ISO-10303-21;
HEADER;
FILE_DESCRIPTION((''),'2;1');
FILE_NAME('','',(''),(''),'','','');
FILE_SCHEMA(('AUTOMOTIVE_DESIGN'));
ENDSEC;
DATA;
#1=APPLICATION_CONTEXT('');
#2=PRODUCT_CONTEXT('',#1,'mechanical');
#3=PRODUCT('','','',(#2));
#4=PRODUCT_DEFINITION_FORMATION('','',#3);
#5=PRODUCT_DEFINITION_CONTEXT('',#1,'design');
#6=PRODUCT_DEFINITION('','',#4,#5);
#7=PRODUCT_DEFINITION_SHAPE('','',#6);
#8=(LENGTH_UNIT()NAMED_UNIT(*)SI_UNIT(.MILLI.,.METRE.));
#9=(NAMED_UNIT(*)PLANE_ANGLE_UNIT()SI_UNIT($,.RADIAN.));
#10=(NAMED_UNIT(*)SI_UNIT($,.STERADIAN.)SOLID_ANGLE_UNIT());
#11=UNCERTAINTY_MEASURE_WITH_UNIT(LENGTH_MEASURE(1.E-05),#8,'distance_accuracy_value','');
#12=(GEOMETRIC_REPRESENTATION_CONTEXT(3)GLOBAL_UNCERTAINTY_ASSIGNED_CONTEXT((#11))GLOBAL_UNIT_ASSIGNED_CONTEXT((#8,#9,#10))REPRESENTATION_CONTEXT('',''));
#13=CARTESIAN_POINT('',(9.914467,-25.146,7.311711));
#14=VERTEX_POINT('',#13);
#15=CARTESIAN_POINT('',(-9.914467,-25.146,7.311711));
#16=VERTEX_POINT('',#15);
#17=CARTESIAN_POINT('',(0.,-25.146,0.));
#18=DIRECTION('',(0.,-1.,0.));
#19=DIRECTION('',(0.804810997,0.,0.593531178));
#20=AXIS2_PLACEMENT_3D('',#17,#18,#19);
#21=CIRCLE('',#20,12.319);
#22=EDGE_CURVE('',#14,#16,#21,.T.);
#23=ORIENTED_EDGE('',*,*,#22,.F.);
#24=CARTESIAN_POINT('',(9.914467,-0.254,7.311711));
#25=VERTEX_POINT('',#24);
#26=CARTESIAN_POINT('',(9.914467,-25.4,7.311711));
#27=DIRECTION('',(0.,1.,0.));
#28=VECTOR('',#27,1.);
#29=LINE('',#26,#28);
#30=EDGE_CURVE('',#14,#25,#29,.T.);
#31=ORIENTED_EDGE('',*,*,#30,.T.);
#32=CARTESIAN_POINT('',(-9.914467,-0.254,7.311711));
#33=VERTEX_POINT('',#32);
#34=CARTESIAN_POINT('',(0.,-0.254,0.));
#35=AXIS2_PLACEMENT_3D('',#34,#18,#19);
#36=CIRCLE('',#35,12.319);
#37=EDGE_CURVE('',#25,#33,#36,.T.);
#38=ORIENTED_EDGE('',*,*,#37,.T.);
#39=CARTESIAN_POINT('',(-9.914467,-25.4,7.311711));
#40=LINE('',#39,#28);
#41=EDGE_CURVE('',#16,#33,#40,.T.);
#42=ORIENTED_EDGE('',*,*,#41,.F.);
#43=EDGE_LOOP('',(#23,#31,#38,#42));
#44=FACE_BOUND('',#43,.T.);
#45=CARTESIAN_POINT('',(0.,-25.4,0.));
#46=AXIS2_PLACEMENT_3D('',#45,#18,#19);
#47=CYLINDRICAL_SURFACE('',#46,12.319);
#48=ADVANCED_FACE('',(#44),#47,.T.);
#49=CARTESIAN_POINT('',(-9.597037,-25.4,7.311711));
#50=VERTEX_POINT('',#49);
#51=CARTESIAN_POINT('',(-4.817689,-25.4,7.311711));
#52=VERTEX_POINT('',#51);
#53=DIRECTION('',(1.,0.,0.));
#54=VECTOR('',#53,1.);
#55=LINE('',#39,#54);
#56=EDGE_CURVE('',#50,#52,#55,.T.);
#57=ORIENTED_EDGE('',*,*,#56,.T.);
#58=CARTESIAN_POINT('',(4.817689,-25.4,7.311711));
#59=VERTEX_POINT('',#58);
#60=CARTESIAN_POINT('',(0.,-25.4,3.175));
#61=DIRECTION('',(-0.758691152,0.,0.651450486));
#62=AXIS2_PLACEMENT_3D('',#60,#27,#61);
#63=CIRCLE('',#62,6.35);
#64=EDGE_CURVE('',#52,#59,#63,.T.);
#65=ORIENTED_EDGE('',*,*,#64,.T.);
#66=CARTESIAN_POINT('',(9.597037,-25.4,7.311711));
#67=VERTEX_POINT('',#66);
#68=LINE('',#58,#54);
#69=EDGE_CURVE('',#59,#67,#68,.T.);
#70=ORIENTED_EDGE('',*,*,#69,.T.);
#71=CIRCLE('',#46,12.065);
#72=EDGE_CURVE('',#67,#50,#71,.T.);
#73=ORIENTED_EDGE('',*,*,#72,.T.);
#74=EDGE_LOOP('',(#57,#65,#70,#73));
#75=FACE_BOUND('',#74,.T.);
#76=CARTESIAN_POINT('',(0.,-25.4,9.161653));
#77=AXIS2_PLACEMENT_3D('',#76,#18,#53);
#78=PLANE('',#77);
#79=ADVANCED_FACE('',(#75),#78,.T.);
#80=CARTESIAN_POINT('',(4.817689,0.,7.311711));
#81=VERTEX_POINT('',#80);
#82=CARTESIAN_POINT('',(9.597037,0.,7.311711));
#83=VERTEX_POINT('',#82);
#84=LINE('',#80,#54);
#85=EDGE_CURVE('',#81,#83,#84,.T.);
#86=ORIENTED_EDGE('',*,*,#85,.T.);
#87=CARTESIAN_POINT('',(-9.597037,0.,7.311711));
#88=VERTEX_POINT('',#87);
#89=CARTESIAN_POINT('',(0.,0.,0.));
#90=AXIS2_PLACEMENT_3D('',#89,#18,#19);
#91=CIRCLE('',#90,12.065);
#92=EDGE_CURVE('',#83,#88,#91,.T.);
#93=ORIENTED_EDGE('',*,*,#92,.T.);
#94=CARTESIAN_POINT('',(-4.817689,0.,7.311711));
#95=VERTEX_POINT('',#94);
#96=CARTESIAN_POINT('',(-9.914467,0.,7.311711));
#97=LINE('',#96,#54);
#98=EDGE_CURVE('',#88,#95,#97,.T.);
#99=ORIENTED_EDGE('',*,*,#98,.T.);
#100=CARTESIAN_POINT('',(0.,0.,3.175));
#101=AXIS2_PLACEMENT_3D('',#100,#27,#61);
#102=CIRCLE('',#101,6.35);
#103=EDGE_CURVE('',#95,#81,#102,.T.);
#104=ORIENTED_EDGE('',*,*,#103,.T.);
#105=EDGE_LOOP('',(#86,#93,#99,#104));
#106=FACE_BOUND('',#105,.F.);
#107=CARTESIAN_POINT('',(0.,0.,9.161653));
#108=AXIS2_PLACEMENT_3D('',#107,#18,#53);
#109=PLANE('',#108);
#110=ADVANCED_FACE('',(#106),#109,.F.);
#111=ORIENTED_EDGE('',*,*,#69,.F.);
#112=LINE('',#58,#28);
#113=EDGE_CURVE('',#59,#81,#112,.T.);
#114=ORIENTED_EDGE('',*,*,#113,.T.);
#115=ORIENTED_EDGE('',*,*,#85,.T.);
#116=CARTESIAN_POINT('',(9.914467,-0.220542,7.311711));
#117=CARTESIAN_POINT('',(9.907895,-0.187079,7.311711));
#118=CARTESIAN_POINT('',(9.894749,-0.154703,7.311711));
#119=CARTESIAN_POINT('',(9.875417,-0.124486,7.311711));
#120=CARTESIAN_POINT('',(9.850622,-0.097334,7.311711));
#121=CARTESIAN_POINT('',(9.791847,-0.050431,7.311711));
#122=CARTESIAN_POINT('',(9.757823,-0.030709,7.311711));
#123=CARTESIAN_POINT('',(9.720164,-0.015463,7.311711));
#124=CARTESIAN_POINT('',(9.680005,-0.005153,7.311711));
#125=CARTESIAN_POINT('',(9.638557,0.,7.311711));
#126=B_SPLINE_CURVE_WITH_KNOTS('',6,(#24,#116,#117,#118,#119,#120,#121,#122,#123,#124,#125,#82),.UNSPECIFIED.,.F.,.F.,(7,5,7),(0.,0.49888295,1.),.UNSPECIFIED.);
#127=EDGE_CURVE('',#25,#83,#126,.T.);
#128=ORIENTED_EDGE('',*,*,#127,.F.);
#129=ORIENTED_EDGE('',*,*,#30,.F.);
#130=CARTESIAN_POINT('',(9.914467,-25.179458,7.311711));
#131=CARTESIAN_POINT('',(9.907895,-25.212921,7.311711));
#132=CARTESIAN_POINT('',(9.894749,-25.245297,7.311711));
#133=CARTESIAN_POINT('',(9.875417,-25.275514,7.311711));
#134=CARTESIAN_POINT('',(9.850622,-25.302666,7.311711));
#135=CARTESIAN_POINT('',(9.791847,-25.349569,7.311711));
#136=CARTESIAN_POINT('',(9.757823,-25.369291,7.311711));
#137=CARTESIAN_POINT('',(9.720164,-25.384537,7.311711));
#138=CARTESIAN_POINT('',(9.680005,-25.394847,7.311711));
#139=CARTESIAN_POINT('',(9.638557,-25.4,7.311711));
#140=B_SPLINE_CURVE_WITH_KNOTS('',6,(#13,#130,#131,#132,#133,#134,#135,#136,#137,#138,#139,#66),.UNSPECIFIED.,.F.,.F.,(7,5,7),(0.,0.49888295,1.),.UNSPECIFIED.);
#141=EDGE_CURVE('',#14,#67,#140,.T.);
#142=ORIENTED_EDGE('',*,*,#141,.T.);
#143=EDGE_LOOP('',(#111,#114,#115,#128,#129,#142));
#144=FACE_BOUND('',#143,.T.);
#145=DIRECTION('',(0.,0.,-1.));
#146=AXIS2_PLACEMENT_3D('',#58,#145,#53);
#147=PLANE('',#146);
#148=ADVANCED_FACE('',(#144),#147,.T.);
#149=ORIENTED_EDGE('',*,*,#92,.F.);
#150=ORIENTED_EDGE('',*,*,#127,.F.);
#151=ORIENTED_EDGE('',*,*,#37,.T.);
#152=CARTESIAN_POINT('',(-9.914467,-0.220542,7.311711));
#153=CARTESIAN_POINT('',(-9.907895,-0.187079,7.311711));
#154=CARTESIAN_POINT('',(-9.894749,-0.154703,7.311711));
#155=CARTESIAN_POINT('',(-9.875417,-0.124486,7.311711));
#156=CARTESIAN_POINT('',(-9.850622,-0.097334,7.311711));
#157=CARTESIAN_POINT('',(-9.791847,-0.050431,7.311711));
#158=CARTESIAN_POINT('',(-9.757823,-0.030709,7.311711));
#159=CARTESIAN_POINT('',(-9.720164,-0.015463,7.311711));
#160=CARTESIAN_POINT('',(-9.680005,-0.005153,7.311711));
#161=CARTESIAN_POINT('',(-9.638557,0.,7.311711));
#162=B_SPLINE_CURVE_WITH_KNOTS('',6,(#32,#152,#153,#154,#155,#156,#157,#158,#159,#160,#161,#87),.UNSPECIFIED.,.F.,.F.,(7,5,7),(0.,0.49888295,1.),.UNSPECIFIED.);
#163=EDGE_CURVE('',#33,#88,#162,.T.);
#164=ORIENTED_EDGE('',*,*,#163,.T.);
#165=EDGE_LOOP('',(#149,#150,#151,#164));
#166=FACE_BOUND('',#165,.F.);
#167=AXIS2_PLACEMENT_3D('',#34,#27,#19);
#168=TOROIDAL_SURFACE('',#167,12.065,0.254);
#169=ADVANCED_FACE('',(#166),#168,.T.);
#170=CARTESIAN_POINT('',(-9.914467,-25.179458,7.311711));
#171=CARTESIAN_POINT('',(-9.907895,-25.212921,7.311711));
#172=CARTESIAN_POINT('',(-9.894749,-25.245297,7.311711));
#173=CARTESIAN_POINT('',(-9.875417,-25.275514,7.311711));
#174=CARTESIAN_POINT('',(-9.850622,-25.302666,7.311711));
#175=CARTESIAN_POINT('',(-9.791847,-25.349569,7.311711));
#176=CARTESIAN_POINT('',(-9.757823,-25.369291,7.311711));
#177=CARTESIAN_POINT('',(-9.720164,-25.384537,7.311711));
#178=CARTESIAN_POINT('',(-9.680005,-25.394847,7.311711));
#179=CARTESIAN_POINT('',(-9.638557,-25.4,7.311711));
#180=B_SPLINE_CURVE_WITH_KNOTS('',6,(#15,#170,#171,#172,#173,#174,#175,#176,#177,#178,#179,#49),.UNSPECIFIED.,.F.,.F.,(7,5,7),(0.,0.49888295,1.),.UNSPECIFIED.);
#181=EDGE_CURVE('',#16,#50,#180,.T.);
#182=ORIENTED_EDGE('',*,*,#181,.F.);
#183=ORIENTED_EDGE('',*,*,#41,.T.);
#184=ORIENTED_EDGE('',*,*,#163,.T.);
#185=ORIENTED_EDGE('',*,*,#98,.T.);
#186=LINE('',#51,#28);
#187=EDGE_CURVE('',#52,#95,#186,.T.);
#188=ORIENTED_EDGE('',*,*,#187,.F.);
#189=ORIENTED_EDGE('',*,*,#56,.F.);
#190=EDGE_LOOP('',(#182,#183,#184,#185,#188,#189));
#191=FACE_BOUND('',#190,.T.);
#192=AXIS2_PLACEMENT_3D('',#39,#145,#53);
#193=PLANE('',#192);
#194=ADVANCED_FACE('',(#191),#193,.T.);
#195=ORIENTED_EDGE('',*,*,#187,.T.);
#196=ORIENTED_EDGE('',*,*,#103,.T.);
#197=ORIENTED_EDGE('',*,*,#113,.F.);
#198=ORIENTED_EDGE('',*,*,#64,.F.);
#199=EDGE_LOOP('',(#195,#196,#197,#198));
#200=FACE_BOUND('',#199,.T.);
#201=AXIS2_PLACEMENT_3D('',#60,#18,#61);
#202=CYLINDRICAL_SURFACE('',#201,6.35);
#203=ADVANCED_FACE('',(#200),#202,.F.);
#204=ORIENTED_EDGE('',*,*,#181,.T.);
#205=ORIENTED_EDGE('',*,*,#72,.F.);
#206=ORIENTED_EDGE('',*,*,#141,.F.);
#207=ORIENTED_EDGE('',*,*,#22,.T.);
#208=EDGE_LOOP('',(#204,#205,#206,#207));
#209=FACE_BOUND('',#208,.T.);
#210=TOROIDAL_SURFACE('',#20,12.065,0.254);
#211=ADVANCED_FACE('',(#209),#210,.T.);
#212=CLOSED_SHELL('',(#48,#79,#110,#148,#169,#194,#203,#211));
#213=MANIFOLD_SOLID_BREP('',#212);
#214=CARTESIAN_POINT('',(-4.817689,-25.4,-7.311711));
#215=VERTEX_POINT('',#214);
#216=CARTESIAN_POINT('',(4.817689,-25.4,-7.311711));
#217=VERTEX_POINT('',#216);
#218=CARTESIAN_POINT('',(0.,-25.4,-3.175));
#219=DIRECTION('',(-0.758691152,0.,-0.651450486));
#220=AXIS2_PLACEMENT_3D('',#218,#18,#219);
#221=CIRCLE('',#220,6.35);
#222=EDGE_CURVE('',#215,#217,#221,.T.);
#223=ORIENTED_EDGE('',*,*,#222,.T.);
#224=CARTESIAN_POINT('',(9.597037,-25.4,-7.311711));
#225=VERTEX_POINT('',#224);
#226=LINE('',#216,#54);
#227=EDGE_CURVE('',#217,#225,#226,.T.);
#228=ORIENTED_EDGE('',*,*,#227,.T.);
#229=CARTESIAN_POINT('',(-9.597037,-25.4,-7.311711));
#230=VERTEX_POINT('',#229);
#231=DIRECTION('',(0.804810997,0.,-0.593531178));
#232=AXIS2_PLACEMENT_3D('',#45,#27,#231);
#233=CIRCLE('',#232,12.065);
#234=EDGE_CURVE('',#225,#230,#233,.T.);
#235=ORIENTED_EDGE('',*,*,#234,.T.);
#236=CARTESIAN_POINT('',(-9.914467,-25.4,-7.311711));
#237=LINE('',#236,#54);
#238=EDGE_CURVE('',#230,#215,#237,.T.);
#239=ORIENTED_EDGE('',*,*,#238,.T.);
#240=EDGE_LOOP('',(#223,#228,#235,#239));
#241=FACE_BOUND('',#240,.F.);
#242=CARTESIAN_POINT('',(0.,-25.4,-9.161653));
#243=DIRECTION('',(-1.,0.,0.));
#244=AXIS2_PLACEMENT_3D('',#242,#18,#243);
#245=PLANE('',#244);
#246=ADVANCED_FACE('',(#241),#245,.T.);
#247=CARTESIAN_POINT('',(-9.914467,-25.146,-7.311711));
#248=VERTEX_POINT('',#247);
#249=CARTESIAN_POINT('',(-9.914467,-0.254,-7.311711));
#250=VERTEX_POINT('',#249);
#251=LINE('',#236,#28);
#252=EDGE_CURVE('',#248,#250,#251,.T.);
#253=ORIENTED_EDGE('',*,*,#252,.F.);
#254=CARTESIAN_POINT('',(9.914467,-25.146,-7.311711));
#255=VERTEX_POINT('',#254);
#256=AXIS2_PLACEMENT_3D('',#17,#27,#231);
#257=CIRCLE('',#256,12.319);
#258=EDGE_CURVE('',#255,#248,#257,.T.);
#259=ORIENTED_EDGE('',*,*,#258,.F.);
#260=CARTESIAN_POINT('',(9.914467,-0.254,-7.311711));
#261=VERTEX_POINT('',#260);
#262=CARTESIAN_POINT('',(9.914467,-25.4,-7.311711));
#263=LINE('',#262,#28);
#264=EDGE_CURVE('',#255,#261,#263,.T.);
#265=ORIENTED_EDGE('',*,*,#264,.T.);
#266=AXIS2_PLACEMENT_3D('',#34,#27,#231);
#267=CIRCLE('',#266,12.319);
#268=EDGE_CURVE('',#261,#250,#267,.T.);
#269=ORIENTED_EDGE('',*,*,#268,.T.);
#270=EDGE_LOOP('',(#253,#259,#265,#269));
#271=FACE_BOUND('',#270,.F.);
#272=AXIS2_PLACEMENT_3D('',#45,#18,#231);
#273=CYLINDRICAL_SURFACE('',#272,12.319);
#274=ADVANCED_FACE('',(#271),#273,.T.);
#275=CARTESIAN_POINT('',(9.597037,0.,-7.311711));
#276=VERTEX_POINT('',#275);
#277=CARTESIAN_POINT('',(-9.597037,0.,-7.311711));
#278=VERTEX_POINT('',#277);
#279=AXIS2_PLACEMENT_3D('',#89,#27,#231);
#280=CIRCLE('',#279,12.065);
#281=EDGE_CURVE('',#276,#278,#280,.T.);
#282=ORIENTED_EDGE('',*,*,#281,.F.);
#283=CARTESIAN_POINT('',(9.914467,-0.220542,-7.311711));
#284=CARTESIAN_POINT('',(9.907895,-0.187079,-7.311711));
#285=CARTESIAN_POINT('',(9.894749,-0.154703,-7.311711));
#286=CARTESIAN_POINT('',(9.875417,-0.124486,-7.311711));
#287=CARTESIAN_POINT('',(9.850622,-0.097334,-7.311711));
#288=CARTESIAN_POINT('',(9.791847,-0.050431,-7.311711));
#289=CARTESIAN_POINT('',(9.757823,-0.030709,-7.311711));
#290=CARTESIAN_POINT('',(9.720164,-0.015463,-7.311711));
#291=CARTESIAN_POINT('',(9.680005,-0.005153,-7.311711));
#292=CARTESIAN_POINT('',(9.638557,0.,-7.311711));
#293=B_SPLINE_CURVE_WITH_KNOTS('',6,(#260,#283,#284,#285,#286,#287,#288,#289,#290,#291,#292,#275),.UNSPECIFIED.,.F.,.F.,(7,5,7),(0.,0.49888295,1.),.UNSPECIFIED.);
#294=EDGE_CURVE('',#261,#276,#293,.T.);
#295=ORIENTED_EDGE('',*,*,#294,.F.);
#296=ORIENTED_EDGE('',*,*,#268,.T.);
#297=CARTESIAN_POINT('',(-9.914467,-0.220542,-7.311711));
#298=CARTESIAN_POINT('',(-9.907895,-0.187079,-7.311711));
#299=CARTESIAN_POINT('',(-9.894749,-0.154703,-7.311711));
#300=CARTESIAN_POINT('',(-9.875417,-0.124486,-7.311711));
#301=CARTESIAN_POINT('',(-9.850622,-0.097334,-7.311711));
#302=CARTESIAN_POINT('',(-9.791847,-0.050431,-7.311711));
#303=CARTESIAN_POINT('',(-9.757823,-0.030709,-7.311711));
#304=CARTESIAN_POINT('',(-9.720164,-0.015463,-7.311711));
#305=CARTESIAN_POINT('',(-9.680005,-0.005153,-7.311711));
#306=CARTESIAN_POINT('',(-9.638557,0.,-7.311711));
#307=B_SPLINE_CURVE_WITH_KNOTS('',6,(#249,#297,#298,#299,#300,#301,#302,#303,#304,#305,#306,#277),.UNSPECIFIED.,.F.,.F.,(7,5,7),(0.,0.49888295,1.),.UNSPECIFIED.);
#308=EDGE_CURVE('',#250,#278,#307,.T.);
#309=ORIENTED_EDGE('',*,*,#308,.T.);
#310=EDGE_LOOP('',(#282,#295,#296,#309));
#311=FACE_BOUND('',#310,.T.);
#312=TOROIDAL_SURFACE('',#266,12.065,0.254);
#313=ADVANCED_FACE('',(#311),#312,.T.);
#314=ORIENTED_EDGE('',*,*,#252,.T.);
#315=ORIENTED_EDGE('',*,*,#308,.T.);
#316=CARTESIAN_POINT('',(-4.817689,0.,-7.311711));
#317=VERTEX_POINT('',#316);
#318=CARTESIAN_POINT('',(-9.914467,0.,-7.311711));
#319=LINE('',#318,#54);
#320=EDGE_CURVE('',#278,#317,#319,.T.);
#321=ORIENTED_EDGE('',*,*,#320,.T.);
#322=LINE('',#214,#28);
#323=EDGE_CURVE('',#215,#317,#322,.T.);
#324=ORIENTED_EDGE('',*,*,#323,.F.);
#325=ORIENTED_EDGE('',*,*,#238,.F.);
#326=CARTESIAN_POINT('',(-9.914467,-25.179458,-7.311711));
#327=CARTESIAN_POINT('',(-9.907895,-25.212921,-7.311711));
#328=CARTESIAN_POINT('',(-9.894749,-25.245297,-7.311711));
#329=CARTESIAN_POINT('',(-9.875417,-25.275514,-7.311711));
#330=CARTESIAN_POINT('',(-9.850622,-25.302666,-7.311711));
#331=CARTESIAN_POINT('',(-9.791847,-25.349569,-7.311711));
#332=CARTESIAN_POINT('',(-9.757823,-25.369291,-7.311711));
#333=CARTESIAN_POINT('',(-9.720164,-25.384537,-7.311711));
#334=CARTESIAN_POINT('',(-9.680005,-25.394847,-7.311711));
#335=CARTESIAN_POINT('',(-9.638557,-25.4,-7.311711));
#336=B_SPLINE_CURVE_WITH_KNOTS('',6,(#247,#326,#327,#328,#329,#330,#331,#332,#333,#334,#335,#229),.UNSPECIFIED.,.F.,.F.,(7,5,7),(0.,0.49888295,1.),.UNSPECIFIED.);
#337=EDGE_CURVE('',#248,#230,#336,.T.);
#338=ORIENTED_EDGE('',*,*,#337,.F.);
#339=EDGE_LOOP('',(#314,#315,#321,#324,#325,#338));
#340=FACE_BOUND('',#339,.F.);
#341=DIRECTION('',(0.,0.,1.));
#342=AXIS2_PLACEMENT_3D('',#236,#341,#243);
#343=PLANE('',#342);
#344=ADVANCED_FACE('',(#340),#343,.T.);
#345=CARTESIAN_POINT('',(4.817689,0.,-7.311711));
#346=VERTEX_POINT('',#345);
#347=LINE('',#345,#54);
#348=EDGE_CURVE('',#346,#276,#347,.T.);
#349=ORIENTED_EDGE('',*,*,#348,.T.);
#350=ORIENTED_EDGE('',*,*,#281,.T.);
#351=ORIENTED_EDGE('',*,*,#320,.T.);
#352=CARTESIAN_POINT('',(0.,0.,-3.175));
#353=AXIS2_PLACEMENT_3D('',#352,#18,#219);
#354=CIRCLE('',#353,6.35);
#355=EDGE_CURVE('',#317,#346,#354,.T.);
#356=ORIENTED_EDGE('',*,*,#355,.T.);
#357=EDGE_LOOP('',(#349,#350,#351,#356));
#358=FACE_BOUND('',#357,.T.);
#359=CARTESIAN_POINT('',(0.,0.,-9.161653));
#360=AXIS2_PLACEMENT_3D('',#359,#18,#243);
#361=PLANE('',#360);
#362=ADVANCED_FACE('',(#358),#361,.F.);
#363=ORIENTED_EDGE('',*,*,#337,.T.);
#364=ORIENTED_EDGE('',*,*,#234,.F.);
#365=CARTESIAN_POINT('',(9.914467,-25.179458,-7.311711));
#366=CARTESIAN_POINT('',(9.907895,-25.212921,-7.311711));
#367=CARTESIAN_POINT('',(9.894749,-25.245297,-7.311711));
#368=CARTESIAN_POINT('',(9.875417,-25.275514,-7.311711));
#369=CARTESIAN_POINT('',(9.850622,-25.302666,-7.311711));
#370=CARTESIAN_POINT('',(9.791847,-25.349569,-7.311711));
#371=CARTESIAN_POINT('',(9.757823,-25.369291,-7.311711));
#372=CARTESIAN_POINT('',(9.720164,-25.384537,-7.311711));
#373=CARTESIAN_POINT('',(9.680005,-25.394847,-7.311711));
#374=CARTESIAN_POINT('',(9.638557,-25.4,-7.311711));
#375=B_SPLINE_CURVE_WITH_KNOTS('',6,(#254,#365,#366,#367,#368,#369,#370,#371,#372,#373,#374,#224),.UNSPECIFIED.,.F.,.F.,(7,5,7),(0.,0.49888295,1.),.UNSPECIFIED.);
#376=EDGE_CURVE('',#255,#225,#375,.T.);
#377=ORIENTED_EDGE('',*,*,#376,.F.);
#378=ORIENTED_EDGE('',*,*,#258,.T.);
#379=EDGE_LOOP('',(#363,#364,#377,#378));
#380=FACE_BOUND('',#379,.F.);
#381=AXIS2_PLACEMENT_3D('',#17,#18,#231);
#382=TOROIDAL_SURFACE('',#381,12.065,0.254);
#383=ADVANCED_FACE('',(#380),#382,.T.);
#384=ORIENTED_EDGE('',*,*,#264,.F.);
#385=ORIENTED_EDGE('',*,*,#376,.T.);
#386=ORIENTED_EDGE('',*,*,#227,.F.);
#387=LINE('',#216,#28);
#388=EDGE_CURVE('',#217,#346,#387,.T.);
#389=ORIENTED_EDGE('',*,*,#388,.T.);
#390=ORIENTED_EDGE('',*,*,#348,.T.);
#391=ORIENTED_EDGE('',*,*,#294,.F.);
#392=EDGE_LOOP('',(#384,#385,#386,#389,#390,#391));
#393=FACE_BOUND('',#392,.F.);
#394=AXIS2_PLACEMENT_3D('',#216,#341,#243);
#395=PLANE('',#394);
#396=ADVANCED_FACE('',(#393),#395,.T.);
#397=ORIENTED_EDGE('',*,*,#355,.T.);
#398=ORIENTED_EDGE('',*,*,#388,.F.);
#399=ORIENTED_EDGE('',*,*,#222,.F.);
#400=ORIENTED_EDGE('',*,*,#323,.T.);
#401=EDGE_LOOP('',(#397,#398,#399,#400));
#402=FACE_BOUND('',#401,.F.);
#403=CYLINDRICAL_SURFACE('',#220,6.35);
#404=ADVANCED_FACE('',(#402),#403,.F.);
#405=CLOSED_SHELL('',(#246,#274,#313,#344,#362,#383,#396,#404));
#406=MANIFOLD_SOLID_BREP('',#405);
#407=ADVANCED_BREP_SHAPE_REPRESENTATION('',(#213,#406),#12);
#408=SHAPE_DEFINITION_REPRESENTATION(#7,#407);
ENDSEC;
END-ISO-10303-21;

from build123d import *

# Parameters (mm, degrees)
F0_R     = 12.319
F1_DEPTH = 25.4
F3_DEPTH = 25.4
F5_R     = 0.254
F5_2_R   = 0.254


with BuildPart() as f1:
    # F0 (on Front) → F1 (new body)
    with BuildSketch(Plane.XZ):
        Circle(F0_R)
    extrude(amount=F1_DEPTH)

    # F2 (on face) → F3 (intersect)
    with BuildSketch(Plane.XZ.offset(25.4)):
        with BuildLine():
            Line((4.8176888147, 7.3117105875), (9.9144666667, 7.3117105875))
            ThreePointArc((9.9144666667, 7.3117105875), (0, 12.319), (-9.9144666667, 7.3117105875))
            Line((-9.9144666667, 7.3117105875), (-4.8176888147, 7.3117105875))
            ThreePointArc((-4.8176888147, 7.3117105875), (0, 9.525), (4.8176888147, 7.3117105875))
        make_face()
    extrude(amount=-F3_DEPTH, mode=Mode.INTERSECT)


with BuildPart() as f4_1:
    # F4: instance of F1
    add(f1.part.mirror(Plane.XY))

    # F5#2
    f5_2_edges = [f4_1.edges().sort_by_distance(p)[0] for p in [
        (0, -25.4, -12.319),
        (0, 0, -12.319),
    ]]
    fillet(f5_2_edges, radius=F5_2_R)


with BuildPart() as f1_1:
    add(f1.part)

    # F5
    f5_edges = [f1_1.edges().sort_by_distance(p)[0] for p in [
        (0, -25.4, 12.319),
        (0, 0, 12.319),
    ]]
    fillet(f5_edges, radius=F5_R)


solid = Compound([f4_1.part, f1_1.part])
